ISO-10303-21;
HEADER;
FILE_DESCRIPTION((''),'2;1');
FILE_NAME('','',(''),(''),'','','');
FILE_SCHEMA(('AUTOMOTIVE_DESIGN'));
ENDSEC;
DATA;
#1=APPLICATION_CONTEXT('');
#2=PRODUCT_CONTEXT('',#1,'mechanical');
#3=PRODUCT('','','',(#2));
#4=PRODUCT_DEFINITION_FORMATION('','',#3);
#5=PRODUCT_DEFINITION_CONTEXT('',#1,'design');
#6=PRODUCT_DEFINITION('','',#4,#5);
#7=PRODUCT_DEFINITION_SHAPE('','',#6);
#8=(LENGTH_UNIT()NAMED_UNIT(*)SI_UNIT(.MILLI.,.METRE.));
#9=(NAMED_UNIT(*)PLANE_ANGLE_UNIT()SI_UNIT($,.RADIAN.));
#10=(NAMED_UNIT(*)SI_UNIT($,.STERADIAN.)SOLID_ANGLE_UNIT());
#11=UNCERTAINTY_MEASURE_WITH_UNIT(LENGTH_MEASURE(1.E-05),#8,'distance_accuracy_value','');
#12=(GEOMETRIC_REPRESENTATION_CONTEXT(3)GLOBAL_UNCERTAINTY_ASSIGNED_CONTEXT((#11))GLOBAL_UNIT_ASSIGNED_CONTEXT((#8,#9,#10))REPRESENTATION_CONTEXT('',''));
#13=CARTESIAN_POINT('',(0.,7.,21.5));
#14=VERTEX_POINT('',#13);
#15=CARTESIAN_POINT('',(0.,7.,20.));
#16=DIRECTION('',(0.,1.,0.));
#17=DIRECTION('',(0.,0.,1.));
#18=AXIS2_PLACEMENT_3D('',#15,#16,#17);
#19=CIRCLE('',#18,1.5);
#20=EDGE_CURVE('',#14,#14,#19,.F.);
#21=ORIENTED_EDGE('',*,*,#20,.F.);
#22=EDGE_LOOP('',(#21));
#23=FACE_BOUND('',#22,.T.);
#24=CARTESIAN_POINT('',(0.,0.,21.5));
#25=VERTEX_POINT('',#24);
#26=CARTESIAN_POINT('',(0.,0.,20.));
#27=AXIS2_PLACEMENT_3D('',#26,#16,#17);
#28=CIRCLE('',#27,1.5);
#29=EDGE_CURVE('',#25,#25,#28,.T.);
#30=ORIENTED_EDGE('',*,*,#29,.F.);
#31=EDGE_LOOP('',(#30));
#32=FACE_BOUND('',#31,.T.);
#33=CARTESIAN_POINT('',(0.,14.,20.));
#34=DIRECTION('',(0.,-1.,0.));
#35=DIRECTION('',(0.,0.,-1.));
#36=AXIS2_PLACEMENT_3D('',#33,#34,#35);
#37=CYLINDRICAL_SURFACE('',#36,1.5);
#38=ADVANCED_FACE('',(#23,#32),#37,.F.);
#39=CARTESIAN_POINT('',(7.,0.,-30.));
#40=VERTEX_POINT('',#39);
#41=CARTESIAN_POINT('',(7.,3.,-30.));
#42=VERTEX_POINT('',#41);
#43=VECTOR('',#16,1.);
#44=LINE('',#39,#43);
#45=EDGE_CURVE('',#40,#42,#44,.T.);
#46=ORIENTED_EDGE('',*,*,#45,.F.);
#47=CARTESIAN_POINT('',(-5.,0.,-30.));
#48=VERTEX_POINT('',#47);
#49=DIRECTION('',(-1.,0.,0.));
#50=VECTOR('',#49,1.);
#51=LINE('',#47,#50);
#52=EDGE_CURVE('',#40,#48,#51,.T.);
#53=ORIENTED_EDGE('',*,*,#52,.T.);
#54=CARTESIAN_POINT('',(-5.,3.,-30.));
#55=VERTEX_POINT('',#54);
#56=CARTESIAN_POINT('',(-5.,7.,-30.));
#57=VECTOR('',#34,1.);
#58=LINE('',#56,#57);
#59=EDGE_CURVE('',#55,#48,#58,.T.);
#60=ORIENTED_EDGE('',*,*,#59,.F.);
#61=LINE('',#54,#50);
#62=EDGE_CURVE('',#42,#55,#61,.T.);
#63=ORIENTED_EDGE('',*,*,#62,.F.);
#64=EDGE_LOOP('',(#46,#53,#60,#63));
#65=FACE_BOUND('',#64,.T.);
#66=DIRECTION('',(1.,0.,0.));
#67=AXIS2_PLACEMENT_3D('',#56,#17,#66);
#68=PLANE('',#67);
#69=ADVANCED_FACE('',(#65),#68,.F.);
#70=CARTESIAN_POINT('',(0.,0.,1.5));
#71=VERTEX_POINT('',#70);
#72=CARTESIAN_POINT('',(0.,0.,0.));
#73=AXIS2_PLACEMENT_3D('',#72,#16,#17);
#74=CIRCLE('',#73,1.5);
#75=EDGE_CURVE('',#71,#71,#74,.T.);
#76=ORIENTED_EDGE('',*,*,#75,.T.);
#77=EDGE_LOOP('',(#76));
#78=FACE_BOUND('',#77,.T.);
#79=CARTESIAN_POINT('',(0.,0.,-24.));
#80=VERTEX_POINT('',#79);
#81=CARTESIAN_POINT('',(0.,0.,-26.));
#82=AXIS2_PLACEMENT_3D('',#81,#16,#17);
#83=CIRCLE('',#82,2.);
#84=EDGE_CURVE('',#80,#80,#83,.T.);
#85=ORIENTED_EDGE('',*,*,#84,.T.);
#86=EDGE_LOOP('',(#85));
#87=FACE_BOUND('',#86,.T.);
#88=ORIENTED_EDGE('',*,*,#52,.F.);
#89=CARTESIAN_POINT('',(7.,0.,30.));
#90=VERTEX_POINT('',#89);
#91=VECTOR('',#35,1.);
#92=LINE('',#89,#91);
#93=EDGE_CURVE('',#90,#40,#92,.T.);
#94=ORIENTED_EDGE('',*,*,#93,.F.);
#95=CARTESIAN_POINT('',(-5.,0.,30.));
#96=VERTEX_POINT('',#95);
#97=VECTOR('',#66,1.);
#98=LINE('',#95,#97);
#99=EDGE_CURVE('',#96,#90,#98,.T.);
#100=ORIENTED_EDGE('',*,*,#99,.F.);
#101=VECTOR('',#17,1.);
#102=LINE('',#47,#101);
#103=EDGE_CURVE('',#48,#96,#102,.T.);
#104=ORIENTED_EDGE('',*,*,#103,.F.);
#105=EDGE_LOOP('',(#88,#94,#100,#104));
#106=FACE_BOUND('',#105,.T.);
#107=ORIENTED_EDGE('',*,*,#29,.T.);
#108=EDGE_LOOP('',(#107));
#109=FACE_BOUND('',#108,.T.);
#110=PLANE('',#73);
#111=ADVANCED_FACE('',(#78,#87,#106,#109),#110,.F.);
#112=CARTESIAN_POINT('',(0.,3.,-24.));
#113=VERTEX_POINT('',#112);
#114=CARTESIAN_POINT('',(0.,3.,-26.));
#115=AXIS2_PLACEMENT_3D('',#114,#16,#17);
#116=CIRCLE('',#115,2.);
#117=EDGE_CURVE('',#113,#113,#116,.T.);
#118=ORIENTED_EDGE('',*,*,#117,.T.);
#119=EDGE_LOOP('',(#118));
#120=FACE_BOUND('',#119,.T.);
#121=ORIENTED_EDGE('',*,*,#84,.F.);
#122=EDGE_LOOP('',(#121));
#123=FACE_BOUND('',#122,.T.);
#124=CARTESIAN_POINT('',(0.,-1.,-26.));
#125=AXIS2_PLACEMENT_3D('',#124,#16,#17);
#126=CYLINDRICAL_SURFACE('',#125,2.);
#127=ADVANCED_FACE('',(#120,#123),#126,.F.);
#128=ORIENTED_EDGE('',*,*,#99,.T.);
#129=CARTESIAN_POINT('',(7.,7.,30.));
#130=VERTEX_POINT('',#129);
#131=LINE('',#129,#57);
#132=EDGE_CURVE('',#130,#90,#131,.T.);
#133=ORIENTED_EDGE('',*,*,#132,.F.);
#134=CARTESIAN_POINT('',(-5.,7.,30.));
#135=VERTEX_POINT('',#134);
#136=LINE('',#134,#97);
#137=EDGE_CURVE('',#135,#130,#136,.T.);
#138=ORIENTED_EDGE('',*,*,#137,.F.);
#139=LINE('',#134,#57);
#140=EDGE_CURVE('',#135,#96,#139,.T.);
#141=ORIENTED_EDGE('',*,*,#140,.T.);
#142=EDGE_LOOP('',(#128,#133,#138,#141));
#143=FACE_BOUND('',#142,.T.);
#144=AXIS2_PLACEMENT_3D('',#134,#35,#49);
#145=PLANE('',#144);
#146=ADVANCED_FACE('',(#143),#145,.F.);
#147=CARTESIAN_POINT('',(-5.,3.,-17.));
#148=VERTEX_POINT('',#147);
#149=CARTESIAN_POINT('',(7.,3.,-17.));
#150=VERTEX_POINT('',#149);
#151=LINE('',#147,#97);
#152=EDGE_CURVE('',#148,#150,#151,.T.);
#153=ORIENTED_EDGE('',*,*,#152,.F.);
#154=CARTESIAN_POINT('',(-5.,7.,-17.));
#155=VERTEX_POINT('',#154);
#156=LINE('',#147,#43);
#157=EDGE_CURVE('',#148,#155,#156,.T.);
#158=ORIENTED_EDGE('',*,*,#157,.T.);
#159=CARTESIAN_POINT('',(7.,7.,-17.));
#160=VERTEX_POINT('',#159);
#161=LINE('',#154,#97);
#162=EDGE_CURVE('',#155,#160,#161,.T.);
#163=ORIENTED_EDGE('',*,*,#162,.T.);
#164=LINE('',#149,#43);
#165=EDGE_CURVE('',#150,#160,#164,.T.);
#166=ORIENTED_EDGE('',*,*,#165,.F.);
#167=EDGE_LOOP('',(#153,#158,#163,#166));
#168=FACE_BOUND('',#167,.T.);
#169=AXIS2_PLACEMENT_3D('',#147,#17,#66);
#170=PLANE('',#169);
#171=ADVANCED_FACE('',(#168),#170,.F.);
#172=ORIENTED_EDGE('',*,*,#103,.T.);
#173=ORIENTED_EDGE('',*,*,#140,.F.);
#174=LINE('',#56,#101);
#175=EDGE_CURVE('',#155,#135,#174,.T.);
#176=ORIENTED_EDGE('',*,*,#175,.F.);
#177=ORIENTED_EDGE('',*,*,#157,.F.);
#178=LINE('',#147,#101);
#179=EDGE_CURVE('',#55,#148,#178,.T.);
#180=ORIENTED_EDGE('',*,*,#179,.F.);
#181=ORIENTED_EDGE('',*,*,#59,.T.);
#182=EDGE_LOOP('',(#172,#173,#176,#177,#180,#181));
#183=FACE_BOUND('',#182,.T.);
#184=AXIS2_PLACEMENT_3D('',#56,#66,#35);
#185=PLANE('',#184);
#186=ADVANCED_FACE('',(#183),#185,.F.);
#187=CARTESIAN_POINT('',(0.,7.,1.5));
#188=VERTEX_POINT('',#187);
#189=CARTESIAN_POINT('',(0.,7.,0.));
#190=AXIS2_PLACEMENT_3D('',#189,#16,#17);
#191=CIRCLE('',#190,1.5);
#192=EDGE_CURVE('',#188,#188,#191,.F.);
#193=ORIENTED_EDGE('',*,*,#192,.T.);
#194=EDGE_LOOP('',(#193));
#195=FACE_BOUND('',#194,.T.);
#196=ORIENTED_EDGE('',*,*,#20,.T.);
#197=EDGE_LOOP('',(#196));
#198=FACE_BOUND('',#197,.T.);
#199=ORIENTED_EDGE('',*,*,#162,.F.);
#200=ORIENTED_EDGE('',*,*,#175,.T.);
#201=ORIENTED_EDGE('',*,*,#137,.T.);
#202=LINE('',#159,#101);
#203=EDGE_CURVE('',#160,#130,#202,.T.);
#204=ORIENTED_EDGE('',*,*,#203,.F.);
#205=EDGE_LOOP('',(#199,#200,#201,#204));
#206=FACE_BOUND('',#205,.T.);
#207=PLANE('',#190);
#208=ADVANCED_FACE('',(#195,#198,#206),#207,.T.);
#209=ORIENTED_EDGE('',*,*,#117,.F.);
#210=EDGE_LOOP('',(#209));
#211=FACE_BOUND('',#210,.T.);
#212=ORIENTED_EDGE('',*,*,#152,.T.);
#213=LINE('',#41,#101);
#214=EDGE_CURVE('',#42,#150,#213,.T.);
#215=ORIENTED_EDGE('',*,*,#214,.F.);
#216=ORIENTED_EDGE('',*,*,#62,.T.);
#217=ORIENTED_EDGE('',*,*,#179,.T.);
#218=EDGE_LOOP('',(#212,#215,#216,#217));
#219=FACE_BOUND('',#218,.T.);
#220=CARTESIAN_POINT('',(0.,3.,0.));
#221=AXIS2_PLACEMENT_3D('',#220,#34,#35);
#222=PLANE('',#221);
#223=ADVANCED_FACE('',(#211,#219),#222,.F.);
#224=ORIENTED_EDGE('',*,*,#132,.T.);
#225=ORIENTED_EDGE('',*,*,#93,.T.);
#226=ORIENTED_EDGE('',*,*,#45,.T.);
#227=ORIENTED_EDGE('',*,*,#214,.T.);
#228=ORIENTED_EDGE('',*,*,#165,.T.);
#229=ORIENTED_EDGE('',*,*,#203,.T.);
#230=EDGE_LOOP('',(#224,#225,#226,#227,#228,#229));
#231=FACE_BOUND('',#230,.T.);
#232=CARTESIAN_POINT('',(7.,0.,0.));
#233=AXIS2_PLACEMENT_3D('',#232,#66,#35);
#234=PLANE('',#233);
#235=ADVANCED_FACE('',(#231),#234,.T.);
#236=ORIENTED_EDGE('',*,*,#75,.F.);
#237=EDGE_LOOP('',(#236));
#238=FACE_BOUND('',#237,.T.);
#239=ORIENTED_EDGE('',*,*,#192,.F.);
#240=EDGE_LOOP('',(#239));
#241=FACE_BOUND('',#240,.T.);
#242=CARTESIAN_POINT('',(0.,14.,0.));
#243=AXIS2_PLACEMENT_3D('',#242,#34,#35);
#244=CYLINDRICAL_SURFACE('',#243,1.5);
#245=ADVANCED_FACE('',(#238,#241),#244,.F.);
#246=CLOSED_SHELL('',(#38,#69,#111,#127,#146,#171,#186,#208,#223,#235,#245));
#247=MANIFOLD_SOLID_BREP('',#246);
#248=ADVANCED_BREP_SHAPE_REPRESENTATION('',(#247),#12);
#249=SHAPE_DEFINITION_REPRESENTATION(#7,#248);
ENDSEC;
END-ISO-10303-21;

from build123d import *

# Parameters (mm, degrees)
SKETCH1_W           = 10
SKETCH1_H           = 60
BOSS_EXTRUDE1_DEPTH = 7
SKETCH2_W           = 10
SKETCH2_H           = 13
CUT_EXTRUDE1_DEPTH  = 4
SKETCH3_R           = 2
CUT_EXTRUDE2_DEPTH  = 4
SKETCH4_R           = 1.5
CUT_EXTRUDE3_DEPTH  = 14
BOSS_EXTRUDE2_DEPTH = 2


with BuildPart() as part:
    # Sketch1 → Boss-Extrude1 (new body)
    with BuildSketch(Plane(origin=(0, 0, 0), x_dir=(1, 0, 0), z_dir=(0, 1, 0))):
        Rectangle(SKETCH1_W, SKETCH1_H)
    extrude(amount=BOSS_EXTRUDE1_DEPTH)

    # Sketch2 → Cut-Extrude1 (cut)
    with BuildSketch(Plane(origin=(0, 7, 0), x_dir=(1, 0, 0), z_dir=(0, 1, 0))):
        with Locations((0, 23.5)):
            Rectangle(SKETCH2_W, SKETCH2_H)
    extrude(amount=-CUT_EXTRUDE1_DEPTH, mode=Mode.SUBTRACT)

    # Sketch3 → Cut-Extrude2 (cut)
    with BuildSketch(Plane(origin=(0, 3, 0), x_dir=(1, 0, 0), z_dir=(0, 1, 0))):
        with Locations((0, 26)):
            Circle(SKETCH3_R)
    extrude(amount=-CUT_EXTRUDE2_DEPTH, mode=Mode.SUBTRACT)

    # Sketch4 → Cut-Extrude3 (cut)
    with BuildSketch(Plane(origin=(0, 0, 0), x_dir=(1, 0, 0), z_dir=(0, 1, 0))):
        Circle(SKETCH4_R)
        with Locations((0, -20)):
            Circle(SKETCH4_R)
    extrude(amount=CUT_EXTRUDE3_DEPTH, mode=Mode.SUBTRACT)

    # Sketch5 → Boss-Extrude2 (add)
    with BuildSketch(Plane(origin=(5, 0, 0), x_dir=(0, 0, -1), z_dir=(1, 0, 0))):
        Polygon((-30, 7), (-30, 0), (30, 0), (30, 3), (17, 3), (17, 7), align=None)
    extrude(amount=BOSS_EXTRUDE2_DEPTH)


solid = part.part
